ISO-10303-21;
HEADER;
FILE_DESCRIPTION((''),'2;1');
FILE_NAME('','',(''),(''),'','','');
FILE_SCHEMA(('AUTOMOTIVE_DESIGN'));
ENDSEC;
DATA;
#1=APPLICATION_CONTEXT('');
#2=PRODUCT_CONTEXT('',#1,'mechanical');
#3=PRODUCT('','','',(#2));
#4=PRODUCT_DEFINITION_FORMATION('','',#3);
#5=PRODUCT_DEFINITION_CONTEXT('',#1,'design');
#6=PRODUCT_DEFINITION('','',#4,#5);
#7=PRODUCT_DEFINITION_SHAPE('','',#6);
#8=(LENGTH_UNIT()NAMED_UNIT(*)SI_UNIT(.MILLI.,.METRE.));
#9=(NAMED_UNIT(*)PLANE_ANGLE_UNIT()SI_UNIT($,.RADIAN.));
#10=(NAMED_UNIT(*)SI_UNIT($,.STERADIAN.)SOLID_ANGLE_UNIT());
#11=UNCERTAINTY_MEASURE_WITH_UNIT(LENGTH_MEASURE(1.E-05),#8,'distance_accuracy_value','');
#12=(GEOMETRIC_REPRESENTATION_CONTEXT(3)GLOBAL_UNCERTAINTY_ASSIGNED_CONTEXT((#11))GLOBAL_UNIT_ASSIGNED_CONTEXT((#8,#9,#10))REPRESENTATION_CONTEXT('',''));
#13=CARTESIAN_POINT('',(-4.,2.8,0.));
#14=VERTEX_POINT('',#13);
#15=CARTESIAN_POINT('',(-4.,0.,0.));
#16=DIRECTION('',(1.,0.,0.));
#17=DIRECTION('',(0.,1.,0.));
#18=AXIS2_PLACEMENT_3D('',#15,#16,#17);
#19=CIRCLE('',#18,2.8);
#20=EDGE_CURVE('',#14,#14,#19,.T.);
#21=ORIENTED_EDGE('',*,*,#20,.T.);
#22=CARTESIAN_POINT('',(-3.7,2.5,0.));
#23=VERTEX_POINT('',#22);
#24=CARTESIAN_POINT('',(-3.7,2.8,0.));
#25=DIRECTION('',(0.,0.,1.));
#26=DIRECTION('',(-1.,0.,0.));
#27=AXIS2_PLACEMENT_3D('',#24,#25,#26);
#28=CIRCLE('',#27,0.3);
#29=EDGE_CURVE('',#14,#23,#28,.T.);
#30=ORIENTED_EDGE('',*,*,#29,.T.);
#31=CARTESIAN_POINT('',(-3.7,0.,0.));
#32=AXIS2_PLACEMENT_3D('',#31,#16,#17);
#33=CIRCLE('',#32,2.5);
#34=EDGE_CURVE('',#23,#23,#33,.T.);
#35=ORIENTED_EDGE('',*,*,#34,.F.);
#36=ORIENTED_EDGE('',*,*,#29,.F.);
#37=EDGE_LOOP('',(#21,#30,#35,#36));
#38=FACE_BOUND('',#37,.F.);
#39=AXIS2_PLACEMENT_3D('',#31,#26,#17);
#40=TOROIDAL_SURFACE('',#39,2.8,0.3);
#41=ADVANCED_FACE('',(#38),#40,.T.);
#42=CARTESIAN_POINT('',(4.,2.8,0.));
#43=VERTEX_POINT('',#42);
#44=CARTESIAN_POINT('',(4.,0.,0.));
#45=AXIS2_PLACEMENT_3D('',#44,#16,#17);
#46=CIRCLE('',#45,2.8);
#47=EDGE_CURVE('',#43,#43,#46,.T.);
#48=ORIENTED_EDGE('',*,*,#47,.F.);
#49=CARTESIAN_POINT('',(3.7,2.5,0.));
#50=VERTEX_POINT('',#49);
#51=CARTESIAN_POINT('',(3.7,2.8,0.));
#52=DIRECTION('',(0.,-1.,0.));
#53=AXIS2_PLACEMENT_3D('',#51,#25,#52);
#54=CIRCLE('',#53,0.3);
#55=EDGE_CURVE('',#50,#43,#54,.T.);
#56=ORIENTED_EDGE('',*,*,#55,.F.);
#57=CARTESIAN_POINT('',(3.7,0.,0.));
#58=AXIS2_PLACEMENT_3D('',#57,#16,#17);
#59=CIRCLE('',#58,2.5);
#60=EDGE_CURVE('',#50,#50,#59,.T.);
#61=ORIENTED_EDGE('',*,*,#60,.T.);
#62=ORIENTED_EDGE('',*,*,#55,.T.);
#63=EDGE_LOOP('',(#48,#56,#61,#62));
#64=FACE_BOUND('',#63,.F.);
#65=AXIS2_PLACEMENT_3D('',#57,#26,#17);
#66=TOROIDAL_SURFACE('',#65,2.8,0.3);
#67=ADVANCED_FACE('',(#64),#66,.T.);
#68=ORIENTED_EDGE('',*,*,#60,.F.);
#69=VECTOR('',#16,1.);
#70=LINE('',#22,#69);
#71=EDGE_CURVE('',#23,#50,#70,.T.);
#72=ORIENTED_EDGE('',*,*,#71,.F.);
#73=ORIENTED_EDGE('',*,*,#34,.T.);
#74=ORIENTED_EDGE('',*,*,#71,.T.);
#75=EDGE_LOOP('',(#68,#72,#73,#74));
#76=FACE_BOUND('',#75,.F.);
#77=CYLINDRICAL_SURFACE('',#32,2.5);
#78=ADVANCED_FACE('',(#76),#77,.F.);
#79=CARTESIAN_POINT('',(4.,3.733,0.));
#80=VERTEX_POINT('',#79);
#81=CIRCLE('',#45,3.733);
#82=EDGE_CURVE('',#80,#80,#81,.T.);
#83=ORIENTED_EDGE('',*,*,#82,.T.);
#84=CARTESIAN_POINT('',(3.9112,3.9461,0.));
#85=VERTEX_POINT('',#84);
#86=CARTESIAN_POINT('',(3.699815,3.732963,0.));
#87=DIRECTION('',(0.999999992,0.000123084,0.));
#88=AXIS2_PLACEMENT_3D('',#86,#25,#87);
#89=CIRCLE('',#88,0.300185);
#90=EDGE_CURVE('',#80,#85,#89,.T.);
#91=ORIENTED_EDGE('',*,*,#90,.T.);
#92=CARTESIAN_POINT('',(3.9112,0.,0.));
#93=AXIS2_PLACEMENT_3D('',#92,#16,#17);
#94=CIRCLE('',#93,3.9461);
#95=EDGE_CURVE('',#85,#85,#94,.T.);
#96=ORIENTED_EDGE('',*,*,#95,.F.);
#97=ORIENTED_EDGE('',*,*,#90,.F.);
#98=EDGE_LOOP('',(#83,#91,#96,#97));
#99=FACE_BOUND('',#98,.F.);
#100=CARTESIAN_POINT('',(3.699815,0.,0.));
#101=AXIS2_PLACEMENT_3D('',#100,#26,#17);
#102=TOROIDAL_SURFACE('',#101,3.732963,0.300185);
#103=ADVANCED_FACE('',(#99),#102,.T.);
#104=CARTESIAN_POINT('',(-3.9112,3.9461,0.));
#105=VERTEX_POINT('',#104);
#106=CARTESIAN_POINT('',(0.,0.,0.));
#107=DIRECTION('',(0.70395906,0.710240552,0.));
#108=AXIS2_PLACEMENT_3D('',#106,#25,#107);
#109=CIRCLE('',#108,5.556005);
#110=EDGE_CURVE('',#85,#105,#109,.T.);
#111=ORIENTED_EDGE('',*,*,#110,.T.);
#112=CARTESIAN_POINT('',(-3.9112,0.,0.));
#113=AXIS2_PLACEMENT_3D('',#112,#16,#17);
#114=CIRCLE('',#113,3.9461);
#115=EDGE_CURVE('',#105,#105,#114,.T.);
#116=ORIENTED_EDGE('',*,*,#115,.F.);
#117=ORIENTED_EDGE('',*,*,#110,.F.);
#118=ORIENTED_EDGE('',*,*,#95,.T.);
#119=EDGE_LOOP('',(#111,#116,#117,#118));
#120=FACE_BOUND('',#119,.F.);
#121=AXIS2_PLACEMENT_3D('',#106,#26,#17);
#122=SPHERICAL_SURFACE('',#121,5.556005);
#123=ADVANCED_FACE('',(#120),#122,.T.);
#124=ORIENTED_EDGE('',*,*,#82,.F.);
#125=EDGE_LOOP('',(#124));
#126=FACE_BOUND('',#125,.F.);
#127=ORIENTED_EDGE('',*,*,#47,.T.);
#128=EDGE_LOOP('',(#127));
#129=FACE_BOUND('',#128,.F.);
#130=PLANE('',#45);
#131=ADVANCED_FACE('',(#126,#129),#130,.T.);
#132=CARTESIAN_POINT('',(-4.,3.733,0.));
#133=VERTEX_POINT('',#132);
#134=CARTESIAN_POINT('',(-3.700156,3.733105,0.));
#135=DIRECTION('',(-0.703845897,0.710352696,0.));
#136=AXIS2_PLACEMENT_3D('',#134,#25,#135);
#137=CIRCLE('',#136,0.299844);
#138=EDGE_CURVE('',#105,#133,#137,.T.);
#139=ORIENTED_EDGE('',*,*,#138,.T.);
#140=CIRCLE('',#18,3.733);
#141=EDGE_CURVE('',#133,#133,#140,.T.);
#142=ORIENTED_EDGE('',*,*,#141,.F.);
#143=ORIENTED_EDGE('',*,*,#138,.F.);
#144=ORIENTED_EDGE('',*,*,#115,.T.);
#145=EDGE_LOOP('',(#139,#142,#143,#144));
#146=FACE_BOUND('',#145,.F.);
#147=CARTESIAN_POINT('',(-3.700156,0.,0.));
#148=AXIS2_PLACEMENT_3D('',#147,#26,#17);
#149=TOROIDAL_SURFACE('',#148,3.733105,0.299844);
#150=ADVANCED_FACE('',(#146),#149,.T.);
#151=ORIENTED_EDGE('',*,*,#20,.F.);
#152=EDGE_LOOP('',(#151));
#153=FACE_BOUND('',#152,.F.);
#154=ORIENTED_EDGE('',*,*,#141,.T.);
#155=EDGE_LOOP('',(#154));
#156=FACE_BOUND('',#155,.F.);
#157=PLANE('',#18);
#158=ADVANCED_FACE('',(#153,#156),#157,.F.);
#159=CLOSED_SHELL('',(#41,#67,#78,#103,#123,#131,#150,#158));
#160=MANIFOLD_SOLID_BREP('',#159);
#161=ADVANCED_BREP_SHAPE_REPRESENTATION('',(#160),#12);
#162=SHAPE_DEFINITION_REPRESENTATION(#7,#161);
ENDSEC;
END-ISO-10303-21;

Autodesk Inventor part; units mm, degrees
sketch "Sketch_1" plane through (0, 0, 0) normal (0, 0, 1) x (1, 0, 0)
  line L0 (4, 0) -> (-4, 0)
  arc A0 (-4, 2.8) -> (-3.7, 2.5) centre (-3.7, 2.8) ccw
  line L1 (-3.7, 2.5) -> (3.7, 2.5)
  arc A1 (3.7, 2.5) -> (4, 2.8) centre (3.7, 2.8) ccw
  line L2 (4, 2.8) -> (4, 3.733)
  arc A2 (4, 3.733) -> (3.9112, 3.9461) centre (3.7, 3.733) ccw
  arc A3 (3.9112, 3.9461) -> (-3.9112, 3.9461) centre (0, 0) ccw
  arc A4 (-3.9112, 3.9461) -> (-4, 3.733) centre (-3.7, 3.733) ccw
  line L3 (-4, 3.733) -> (-4, 2.8)
revolve "Revolution1" add sketch "Sketch_1" angle 360 about axis through (4, 0, 0) along (1, 0, 0)
ref_plane "ball_XY" through (0, 0, 0) normal (1, 0, 0) x (0, 0, -1)
ref_plane "ball_YZ" through (0, 0, 0) normal (0, 0, -1) x (0, 1, 0)
ref_plane "ball_ZX" through (0, 0, 0) normal (0, 1, 0) x (1, 0, 0)
properties part number "RBPB5ball"
